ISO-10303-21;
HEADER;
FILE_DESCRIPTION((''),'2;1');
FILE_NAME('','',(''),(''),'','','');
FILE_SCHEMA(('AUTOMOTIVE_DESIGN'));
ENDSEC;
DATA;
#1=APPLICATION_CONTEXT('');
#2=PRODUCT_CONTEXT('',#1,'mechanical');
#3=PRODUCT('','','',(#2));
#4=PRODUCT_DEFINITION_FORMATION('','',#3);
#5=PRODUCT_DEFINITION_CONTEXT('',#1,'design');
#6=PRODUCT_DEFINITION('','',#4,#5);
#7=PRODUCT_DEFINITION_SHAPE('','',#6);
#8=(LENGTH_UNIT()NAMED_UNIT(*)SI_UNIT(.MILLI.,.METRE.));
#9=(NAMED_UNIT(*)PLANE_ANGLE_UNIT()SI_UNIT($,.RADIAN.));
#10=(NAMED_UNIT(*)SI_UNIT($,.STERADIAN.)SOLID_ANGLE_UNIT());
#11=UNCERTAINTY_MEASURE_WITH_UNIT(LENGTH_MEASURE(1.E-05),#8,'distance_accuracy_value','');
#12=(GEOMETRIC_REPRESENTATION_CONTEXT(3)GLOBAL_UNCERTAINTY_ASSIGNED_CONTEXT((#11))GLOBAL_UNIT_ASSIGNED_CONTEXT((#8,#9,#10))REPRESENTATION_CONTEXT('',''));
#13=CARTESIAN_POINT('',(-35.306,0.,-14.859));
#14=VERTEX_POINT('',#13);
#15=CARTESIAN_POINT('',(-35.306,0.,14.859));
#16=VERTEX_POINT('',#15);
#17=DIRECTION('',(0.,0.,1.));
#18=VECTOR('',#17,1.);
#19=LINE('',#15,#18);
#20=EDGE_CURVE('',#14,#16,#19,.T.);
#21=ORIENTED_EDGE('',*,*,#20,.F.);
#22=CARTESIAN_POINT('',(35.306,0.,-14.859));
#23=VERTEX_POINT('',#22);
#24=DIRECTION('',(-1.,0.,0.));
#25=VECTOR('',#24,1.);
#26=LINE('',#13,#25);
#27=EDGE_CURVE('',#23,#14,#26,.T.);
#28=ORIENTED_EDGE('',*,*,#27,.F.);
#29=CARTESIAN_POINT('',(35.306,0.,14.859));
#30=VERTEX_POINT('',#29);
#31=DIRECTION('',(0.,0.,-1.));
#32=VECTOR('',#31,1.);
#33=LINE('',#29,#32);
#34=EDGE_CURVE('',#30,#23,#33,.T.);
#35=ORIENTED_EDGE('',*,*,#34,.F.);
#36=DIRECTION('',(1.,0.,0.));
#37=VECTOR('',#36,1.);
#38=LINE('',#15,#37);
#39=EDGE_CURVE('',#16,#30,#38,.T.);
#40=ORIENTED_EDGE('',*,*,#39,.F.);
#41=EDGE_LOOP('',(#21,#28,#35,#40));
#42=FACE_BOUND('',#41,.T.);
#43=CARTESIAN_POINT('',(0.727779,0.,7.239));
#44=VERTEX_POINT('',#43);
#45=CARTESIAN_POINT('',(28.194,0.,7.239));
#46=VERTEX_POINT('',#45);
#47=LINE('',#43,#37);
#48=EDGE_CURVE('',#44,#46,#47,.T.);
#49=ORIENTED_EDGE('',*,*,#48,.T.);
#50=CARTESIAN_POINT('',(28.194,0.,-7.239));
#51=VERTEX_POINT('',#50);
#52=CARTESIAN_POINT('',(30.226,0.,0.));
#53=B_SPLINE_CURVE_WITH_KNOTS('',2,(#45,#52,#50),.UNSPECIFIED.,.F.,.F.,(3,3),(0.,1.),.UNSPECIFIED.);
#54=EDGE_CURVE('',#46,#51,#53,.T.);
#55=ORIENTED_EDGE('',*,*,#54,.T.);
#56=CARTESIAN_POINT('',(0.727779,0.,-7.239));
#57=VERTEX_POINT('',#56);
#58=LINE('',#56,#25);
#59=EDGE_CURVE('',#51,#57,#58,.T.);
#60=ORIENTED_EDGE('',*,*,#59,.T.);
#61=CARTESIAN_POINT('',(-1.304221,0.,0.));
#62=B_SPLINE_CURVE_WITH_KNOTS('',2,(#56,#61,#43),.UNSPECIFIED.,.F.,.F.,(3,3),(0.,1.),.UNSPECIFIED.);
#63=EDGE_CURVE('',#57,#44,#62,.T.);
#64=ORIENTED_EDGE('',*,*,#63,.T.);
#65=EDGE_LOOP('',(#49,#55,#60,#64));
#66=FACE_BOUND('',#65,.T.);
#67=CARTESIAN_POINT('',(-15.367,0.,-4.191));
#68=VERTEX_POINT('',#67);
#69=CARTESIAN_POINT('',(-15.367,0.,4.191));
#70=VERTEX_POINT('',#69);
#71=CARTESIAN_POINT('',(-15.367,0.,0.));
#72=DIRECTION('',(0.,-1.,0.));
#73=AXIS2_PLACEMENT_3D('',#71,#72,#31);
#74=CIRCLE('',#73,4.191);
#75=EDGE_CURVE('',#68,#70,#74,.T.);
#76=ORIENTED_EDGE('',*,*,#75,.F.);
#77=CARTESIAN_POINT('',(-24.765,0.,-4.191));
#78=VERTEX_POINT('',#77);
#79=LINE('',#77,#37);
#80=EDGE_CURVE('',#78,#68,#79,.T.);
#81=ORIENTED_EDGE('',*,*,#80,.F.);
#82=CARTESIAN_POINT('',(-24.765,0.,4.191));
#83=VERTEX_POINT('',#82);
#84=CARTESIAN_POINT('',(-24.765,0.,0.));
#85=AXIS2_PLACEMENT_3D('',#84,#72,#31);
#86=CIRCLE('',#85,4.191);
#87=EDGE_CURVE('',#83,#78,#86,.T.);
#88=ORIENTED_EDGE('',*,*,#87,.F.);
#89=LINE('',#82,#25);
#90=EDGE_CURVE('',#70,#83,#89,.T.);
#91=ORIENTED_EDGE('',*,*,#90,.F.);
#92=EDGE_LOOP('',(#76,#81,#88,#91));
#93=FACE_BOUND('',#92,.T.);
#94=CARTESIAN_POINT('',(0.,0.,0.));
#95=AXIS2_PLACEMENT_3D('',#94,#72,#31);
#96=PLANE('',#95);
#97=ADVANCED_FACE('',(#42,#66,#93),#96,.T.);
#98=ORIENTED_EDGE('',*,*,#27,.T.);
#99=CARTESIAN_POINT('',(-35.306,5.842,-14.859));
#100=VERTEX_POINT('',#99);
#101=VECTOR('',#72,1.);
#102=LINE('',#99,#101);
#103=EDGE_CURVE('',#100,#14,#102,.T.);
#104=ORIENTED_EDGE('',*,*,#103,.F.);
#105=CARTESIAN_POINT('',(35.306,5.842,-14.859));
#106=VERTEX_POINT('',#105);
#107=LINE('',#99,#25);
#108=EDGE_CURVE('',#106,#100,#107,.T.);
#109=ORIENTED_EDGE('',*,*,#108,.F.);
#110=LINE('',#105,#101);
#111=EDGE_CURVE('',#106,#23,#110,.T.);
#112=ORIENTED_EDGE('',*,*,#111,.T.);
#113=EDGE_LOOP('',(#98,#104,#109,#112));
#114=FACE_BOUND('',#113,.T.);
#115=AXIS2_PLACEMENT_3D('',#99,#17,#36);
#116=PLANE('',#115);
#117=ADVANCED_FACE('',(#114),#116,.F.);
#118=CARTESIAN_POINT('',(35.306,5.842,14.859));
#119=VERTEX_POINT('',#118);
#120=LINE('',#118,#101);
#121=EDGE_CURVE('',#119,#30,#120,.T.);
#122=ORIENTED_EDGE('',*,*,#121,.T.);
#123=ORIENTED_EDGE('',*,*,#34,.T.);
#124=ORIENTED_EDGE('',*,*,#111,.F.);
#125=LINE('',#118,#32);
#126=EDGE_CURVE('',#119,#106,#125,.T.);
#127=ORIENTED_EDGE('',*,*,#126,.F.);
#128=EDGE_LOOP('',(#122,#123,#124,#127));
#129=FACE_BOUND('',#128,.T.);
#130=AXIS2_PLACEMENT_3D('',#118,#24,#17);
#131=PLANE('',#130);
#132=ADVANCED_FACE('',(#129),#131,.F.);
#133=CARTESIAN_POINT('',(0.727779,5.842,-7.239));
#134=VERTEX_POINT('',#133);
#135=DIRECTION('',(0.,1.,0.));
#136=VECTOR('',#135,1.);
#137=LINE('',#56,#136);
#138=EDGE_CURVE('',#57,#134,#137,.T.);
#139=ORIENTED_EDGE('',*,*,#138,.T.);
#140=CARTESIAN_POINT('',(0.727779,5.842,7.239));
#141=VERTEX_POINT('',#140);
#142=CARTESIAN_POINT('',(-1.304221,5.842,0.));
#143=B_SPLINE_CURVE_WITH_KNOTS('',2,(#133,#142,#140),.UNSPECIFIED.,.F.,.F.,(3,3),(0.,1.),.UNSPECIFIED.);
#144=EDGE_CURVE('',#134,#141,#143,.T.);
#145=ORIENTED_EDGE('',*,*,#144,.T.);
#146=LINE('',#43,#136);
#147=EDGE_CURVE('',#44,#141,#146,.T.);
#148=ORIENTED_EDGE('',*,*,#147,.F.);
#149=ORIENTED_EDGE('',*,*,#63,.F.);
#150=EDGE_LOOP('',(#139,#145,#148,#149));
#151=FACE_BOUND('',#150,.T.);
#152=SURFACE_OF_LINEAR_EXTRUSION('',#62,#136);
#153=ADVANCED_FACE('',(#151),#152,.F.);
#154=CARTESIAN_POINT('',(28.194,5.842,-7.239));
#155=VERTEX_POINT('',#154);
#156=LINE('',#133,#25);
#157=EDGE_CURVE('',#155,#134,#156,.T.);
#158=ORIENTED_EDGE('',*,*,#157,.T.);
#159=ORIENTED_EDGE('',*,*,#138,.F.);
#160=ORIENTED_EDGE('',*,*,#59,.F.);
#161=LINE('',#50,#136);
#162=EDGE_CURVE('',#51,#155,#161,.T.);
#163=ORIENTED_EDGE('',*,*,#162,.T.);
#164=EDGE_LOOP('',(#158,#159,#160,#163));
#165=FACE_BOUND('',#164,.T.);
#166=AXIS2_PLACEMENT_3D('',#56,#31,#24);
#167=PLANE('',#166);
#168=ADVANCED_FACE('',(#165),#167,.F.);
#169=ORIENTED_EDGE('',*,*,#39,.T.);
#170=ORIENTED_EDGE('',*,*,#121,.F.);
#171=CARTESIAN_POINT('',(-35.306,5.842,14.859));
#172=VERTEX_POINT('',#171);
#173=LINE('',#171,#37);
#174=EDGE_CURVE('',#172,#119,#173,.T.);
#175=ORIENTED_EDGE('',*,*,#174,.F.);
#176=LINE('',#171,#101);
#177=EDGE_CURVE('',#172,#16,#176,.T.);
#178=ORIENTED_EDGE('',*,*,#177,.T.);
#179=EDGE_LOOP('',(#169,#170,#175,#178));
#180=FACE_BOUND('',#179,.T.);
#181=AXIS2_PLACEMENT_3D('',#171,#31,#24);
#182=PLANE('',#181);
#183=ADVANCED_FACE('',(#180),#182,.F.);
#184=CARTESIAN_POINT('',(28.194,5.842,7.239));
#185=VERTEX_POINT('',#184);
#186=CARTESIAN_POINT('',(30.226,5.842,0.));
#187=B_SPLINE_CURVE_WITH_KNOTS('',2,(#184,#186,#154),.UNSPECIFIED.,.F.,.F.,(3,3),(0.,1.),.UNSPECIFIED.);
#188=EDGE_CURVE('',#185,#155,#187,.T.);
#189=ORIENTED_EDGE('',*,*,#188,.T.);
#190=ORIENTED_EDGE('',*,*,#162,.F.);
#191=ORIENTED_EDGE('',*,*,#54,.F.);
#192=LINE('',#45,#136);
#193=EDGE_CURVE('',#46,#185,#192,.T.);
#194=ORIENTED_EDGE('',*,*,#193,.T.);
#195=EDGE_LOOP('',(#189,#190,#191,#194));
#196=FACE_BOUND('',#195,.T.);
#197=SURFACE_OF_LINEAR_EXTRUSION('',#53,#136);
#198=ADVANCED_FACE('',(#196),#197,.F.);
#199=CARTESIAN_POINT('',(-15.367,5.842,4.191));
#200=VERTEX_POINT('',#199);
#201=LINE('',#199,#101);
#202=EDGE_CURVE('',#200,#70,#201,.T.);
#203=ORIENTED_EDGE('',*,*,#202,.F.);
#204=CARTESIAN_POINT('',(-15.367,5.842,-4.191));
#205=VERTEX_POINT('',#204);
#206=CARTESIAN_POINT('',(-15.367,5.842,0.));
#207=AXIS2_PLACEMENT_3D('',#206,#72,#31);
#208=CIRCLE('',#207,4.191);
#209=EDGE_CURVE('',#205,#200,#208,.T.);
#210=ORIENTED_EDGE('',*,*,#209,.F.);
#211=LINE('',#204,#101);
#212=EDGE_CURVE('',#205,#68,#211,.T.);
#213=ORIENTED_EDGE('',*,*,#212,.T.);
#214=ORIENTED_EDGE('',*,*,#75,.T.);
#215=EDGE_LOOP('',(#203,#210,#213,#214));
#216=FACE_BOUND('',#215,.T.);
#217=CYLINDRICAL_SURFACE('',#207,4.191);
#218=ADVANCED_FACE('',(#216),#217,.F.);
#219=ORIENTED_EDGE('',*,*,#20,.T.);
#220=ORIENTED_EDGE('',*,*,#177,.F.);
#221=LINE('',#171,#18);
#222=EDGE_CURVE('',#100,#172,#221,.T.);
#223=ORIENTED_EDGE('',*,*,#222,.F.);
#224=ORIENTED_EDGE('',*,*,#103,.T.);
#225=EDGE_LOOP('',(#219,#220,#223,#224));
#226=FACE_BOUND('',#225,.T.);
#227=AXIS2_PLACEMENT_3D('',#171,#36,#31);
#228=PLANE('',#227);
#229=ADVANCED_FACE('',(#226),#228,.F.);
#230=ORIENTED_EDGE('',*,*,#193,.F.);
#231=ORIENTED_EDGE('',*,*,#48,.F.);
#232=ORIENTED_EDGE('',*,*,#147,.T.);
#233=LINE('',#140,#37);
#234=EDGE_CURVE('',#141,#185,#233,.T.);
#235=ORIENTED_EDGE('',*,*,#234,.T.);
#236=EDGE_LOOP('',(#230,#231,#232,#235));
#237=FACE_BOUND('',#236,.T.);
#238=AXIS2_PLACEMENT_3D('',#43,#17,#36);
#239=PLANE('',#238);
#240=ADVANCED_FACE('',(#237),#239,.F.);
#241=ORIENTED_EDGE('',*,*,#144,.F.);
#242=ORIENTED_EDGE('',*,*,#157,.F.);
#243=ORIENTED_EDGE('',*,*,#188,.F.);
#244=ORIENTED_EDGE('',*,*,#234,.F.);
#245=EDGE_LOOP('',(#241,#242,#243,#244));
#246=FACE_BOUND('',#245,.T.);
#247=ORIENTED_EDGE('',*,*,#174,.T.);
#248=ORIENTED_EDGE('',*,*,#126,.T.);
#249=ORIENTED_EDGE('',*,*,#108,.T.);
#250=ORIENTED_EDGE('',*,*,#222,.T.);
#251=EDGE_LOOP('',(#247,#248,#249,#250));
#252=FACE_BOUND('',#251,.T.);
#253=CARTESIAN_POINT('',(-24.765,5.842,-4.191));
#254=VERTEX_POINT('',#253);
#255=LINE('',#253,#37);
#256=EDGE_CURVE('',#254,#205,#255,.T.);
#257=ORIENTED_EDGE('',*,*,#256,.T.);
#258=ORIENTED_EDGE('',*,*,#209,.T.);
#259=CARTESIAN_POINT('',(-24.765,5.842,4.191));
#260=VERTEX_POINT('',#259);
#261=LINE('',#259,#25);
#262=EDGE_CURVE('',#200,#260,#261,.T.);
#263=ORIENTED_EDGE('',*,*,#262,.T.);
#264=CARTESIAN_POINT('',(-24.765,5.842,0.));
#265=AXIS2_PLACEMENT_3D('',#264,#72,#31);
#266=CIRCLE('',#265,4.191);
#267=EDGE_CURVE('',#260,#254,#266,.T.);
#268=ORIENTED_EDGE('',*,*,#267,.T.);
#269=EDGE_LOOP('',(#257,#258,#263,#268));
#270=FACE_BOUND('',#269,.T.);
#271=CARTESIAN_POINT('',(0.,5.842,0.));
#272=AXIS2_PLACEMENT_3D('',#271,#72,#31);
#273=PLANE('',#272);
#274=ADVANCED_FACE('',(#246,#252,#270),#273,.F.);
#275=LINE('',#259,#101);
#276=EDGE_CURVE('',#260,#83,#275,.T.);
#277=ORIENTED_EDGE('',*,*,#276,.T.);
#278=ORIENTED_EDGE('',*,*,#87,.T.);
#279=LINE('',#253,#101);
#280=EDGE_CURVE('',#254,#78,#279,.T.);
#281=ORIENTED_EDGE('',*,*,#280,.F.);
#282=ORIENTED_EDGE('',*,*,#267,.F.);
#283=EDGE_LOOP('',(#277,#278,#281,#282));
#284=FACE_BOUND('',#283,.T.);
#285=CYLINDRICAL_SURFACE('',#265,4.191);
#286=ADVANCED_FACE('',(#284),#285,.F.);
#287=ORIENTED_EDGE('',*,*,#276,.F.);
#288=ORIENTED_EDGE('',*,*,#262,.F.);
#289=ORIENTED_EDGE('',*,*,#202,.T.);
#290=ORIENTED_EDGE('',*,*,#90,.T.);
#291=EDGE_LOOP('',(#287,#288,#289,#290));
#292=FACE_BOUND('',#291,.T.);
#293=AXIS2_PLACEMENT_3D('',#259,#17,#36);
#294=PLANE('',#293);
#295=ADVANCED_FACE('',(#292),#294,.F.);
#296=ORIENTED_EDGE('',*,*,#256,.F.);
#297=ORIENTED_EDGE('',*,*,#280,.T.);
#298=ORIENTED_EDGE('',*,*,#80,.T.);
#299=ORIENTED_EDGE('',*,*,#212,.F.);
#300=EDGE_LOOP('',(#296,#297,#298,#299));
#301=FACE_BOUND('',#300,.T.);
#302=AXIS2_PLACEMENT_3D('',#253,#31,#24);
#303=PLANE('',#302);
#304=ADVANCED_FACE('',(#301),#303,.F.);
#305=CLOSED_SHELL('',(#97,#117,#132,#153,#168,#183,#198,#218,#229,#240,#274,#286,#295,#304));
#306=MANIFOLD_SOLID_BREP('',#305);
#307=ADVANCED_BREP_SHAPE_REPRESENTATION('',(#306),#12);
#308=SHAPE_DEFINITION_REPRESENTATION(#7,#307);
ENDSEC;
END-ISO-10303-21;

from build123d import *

# Parameters (mm, degrees)
SKETCH1_W           = 70.612
SKETCH1_H           = 29.718
BOSS_EXTRUDE1_DEPTH = 5.842
CUT_EXTRUDE1_DEPTH  = 6.842
CUT_EXTRUDE2_DEPTH  = 6.8420001


with BuildPart() as part:
    # Sketch1 → Boss-Extrude1 (new body)
    with BuildSketch(Plane(origin=(0, 0, 0), x_dir=(1, 0, 0), z_dir=(0, 1, 0))):
        Rectangle(SKETCH1_W, SKETCH1_H)
    extrude(amount=BOSS_EXTRUDE1_DEPTH)

    # Sketch2 → Cut-Extrude1 (cut, through all)
    with BuildSketch(Plane(origin=(0, 5.842, 0), x_dir=(1, 0, 0), z_dir=(0, 1, 0))):
        with BuildLine():
            Line((0.727778591, 7.239), (28.194, 7.239))
            add(Edge.make_bspline(
                [(28.194, -7.239), (30.226, 0), (28.194, 7.239)],
                knots=[0, 0, 0, 1, 1, 1], degree=2))
            Line((28.194, -7.239), (0.727778591, -7.239))
            add(Edge.make_bspline(
                [(0.727778591, -7.239), (-1.304221409, 0), (0.727778591, 7.239)],
                knots=[0, 0, 0, 1, 1, 1], degree=2))
        make_face()
    extrude(amount=-CUT_EXTRUDE1_DEPTH, mode=Mode.SUBTRACT)

    # Sketch3 → Cut-Extrude2 (cut, through all)
    with BuildSketch(Plane.XZ):
        with BuildLine():
            Line((-24.765, 4.191), (-15.367, 4.191))
            ThreePointArc((-15.367, 4.191), (-11.176, 0), (-15.367, -4.191))
            Line((-15.367, -4.191), (-24.765, -4.191))
            ThreePointArc((-24.765, -4.191), (-28.956, 0), (-24.765, 4.191))
        make_face()
    extrude(amount=-CUT_EXTRUDE2_DEPTH, mode=Mode.SUBTRACT)


solid = part.part
